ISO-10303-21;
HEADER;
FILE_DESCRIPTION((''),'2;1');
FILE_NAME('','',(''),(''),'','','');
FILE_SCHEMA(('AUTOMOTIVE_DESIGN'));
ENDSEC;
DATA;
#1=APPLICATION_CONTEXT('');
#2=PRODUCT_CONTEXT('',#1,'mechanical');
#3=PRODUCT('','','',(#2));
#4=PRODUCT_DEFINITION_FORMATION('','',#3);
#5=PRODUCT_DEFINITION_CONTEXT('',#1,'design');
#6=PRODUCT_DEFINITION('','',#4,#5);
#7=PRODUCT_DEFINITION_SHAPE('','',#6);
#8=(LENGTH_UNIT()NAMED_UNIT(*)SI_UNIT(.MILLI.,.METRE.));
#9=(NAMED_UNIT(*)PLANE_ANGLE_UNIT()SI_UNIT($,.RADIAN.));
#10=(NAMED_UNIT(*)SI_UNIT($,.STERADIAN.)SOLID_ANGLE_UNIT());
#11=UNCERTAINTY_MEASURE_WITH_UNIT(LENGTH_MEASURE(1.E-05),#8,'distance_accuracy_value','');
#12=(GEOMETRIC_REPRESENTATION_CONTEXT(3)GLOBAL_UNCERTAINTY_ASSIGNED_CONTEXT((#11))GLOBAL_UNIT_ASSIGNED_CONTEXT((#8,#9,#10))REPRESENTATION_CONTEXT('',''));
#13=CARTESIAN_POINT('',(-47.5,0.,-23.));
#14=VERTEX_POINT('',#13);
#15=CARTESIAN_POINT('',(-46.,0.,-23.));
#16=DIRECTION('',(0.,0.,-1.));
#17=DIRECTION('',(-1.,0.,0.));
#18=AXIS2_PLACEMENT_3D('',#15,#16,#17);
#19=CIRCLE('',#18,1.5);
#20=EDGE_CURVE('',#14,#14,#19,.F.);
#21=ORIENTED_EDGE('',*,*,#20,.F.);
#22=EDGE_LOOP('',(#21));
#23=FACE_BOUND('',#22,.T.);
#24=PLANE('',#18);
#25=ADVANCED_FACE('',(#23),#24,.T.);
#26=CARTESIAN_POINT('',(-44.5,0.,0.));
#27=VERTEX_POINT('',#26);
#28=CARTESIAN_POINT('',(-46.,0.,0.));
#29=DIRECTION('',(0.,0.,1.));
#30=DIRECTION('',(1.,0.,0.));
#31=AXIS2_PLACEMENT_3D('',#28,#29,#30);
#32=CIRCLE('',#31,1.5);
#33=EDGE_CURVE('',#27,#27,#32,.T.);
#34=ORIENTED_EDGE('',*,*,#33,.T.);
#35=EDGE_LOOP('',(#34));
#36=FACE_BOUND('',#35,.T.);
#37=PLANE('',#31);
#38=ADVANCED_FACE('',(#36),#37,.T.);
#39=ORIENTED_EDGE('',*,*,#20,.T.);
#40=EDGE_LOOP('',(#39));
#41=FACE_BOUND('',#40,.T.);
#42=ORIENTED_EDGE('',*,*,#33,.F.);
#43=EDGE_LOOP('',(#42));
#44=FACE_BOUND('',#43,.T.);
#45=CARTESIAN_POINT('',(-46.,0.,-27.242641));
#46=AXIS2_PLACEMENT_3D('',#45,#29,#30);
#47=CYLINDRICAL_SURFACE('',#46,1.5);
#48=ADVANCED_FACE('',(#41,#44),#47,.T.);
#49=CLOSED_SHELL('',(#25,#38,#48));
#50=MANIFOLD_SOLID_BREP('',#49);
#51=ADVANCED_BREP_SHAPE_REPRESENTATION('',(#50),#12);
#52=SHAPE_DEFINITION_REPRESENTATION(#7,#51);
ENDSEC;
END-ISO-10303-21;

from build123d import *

# Parameters (mm, degrees)
SKETCH1_R           = 1.5
BOSS_EXTRUDE1_DEPTH = 23


with BuildPart() as part:
    # Sketch1 → Boss-Extrude1 (new body)
    with BuildSketch(Plane.XY):
        with Locations((-46, 0)):
            Circle(SKETCH1_R)
    extrude(amount=-BOSS_EXTRUDE1_DEPTH)


solid = part.part
